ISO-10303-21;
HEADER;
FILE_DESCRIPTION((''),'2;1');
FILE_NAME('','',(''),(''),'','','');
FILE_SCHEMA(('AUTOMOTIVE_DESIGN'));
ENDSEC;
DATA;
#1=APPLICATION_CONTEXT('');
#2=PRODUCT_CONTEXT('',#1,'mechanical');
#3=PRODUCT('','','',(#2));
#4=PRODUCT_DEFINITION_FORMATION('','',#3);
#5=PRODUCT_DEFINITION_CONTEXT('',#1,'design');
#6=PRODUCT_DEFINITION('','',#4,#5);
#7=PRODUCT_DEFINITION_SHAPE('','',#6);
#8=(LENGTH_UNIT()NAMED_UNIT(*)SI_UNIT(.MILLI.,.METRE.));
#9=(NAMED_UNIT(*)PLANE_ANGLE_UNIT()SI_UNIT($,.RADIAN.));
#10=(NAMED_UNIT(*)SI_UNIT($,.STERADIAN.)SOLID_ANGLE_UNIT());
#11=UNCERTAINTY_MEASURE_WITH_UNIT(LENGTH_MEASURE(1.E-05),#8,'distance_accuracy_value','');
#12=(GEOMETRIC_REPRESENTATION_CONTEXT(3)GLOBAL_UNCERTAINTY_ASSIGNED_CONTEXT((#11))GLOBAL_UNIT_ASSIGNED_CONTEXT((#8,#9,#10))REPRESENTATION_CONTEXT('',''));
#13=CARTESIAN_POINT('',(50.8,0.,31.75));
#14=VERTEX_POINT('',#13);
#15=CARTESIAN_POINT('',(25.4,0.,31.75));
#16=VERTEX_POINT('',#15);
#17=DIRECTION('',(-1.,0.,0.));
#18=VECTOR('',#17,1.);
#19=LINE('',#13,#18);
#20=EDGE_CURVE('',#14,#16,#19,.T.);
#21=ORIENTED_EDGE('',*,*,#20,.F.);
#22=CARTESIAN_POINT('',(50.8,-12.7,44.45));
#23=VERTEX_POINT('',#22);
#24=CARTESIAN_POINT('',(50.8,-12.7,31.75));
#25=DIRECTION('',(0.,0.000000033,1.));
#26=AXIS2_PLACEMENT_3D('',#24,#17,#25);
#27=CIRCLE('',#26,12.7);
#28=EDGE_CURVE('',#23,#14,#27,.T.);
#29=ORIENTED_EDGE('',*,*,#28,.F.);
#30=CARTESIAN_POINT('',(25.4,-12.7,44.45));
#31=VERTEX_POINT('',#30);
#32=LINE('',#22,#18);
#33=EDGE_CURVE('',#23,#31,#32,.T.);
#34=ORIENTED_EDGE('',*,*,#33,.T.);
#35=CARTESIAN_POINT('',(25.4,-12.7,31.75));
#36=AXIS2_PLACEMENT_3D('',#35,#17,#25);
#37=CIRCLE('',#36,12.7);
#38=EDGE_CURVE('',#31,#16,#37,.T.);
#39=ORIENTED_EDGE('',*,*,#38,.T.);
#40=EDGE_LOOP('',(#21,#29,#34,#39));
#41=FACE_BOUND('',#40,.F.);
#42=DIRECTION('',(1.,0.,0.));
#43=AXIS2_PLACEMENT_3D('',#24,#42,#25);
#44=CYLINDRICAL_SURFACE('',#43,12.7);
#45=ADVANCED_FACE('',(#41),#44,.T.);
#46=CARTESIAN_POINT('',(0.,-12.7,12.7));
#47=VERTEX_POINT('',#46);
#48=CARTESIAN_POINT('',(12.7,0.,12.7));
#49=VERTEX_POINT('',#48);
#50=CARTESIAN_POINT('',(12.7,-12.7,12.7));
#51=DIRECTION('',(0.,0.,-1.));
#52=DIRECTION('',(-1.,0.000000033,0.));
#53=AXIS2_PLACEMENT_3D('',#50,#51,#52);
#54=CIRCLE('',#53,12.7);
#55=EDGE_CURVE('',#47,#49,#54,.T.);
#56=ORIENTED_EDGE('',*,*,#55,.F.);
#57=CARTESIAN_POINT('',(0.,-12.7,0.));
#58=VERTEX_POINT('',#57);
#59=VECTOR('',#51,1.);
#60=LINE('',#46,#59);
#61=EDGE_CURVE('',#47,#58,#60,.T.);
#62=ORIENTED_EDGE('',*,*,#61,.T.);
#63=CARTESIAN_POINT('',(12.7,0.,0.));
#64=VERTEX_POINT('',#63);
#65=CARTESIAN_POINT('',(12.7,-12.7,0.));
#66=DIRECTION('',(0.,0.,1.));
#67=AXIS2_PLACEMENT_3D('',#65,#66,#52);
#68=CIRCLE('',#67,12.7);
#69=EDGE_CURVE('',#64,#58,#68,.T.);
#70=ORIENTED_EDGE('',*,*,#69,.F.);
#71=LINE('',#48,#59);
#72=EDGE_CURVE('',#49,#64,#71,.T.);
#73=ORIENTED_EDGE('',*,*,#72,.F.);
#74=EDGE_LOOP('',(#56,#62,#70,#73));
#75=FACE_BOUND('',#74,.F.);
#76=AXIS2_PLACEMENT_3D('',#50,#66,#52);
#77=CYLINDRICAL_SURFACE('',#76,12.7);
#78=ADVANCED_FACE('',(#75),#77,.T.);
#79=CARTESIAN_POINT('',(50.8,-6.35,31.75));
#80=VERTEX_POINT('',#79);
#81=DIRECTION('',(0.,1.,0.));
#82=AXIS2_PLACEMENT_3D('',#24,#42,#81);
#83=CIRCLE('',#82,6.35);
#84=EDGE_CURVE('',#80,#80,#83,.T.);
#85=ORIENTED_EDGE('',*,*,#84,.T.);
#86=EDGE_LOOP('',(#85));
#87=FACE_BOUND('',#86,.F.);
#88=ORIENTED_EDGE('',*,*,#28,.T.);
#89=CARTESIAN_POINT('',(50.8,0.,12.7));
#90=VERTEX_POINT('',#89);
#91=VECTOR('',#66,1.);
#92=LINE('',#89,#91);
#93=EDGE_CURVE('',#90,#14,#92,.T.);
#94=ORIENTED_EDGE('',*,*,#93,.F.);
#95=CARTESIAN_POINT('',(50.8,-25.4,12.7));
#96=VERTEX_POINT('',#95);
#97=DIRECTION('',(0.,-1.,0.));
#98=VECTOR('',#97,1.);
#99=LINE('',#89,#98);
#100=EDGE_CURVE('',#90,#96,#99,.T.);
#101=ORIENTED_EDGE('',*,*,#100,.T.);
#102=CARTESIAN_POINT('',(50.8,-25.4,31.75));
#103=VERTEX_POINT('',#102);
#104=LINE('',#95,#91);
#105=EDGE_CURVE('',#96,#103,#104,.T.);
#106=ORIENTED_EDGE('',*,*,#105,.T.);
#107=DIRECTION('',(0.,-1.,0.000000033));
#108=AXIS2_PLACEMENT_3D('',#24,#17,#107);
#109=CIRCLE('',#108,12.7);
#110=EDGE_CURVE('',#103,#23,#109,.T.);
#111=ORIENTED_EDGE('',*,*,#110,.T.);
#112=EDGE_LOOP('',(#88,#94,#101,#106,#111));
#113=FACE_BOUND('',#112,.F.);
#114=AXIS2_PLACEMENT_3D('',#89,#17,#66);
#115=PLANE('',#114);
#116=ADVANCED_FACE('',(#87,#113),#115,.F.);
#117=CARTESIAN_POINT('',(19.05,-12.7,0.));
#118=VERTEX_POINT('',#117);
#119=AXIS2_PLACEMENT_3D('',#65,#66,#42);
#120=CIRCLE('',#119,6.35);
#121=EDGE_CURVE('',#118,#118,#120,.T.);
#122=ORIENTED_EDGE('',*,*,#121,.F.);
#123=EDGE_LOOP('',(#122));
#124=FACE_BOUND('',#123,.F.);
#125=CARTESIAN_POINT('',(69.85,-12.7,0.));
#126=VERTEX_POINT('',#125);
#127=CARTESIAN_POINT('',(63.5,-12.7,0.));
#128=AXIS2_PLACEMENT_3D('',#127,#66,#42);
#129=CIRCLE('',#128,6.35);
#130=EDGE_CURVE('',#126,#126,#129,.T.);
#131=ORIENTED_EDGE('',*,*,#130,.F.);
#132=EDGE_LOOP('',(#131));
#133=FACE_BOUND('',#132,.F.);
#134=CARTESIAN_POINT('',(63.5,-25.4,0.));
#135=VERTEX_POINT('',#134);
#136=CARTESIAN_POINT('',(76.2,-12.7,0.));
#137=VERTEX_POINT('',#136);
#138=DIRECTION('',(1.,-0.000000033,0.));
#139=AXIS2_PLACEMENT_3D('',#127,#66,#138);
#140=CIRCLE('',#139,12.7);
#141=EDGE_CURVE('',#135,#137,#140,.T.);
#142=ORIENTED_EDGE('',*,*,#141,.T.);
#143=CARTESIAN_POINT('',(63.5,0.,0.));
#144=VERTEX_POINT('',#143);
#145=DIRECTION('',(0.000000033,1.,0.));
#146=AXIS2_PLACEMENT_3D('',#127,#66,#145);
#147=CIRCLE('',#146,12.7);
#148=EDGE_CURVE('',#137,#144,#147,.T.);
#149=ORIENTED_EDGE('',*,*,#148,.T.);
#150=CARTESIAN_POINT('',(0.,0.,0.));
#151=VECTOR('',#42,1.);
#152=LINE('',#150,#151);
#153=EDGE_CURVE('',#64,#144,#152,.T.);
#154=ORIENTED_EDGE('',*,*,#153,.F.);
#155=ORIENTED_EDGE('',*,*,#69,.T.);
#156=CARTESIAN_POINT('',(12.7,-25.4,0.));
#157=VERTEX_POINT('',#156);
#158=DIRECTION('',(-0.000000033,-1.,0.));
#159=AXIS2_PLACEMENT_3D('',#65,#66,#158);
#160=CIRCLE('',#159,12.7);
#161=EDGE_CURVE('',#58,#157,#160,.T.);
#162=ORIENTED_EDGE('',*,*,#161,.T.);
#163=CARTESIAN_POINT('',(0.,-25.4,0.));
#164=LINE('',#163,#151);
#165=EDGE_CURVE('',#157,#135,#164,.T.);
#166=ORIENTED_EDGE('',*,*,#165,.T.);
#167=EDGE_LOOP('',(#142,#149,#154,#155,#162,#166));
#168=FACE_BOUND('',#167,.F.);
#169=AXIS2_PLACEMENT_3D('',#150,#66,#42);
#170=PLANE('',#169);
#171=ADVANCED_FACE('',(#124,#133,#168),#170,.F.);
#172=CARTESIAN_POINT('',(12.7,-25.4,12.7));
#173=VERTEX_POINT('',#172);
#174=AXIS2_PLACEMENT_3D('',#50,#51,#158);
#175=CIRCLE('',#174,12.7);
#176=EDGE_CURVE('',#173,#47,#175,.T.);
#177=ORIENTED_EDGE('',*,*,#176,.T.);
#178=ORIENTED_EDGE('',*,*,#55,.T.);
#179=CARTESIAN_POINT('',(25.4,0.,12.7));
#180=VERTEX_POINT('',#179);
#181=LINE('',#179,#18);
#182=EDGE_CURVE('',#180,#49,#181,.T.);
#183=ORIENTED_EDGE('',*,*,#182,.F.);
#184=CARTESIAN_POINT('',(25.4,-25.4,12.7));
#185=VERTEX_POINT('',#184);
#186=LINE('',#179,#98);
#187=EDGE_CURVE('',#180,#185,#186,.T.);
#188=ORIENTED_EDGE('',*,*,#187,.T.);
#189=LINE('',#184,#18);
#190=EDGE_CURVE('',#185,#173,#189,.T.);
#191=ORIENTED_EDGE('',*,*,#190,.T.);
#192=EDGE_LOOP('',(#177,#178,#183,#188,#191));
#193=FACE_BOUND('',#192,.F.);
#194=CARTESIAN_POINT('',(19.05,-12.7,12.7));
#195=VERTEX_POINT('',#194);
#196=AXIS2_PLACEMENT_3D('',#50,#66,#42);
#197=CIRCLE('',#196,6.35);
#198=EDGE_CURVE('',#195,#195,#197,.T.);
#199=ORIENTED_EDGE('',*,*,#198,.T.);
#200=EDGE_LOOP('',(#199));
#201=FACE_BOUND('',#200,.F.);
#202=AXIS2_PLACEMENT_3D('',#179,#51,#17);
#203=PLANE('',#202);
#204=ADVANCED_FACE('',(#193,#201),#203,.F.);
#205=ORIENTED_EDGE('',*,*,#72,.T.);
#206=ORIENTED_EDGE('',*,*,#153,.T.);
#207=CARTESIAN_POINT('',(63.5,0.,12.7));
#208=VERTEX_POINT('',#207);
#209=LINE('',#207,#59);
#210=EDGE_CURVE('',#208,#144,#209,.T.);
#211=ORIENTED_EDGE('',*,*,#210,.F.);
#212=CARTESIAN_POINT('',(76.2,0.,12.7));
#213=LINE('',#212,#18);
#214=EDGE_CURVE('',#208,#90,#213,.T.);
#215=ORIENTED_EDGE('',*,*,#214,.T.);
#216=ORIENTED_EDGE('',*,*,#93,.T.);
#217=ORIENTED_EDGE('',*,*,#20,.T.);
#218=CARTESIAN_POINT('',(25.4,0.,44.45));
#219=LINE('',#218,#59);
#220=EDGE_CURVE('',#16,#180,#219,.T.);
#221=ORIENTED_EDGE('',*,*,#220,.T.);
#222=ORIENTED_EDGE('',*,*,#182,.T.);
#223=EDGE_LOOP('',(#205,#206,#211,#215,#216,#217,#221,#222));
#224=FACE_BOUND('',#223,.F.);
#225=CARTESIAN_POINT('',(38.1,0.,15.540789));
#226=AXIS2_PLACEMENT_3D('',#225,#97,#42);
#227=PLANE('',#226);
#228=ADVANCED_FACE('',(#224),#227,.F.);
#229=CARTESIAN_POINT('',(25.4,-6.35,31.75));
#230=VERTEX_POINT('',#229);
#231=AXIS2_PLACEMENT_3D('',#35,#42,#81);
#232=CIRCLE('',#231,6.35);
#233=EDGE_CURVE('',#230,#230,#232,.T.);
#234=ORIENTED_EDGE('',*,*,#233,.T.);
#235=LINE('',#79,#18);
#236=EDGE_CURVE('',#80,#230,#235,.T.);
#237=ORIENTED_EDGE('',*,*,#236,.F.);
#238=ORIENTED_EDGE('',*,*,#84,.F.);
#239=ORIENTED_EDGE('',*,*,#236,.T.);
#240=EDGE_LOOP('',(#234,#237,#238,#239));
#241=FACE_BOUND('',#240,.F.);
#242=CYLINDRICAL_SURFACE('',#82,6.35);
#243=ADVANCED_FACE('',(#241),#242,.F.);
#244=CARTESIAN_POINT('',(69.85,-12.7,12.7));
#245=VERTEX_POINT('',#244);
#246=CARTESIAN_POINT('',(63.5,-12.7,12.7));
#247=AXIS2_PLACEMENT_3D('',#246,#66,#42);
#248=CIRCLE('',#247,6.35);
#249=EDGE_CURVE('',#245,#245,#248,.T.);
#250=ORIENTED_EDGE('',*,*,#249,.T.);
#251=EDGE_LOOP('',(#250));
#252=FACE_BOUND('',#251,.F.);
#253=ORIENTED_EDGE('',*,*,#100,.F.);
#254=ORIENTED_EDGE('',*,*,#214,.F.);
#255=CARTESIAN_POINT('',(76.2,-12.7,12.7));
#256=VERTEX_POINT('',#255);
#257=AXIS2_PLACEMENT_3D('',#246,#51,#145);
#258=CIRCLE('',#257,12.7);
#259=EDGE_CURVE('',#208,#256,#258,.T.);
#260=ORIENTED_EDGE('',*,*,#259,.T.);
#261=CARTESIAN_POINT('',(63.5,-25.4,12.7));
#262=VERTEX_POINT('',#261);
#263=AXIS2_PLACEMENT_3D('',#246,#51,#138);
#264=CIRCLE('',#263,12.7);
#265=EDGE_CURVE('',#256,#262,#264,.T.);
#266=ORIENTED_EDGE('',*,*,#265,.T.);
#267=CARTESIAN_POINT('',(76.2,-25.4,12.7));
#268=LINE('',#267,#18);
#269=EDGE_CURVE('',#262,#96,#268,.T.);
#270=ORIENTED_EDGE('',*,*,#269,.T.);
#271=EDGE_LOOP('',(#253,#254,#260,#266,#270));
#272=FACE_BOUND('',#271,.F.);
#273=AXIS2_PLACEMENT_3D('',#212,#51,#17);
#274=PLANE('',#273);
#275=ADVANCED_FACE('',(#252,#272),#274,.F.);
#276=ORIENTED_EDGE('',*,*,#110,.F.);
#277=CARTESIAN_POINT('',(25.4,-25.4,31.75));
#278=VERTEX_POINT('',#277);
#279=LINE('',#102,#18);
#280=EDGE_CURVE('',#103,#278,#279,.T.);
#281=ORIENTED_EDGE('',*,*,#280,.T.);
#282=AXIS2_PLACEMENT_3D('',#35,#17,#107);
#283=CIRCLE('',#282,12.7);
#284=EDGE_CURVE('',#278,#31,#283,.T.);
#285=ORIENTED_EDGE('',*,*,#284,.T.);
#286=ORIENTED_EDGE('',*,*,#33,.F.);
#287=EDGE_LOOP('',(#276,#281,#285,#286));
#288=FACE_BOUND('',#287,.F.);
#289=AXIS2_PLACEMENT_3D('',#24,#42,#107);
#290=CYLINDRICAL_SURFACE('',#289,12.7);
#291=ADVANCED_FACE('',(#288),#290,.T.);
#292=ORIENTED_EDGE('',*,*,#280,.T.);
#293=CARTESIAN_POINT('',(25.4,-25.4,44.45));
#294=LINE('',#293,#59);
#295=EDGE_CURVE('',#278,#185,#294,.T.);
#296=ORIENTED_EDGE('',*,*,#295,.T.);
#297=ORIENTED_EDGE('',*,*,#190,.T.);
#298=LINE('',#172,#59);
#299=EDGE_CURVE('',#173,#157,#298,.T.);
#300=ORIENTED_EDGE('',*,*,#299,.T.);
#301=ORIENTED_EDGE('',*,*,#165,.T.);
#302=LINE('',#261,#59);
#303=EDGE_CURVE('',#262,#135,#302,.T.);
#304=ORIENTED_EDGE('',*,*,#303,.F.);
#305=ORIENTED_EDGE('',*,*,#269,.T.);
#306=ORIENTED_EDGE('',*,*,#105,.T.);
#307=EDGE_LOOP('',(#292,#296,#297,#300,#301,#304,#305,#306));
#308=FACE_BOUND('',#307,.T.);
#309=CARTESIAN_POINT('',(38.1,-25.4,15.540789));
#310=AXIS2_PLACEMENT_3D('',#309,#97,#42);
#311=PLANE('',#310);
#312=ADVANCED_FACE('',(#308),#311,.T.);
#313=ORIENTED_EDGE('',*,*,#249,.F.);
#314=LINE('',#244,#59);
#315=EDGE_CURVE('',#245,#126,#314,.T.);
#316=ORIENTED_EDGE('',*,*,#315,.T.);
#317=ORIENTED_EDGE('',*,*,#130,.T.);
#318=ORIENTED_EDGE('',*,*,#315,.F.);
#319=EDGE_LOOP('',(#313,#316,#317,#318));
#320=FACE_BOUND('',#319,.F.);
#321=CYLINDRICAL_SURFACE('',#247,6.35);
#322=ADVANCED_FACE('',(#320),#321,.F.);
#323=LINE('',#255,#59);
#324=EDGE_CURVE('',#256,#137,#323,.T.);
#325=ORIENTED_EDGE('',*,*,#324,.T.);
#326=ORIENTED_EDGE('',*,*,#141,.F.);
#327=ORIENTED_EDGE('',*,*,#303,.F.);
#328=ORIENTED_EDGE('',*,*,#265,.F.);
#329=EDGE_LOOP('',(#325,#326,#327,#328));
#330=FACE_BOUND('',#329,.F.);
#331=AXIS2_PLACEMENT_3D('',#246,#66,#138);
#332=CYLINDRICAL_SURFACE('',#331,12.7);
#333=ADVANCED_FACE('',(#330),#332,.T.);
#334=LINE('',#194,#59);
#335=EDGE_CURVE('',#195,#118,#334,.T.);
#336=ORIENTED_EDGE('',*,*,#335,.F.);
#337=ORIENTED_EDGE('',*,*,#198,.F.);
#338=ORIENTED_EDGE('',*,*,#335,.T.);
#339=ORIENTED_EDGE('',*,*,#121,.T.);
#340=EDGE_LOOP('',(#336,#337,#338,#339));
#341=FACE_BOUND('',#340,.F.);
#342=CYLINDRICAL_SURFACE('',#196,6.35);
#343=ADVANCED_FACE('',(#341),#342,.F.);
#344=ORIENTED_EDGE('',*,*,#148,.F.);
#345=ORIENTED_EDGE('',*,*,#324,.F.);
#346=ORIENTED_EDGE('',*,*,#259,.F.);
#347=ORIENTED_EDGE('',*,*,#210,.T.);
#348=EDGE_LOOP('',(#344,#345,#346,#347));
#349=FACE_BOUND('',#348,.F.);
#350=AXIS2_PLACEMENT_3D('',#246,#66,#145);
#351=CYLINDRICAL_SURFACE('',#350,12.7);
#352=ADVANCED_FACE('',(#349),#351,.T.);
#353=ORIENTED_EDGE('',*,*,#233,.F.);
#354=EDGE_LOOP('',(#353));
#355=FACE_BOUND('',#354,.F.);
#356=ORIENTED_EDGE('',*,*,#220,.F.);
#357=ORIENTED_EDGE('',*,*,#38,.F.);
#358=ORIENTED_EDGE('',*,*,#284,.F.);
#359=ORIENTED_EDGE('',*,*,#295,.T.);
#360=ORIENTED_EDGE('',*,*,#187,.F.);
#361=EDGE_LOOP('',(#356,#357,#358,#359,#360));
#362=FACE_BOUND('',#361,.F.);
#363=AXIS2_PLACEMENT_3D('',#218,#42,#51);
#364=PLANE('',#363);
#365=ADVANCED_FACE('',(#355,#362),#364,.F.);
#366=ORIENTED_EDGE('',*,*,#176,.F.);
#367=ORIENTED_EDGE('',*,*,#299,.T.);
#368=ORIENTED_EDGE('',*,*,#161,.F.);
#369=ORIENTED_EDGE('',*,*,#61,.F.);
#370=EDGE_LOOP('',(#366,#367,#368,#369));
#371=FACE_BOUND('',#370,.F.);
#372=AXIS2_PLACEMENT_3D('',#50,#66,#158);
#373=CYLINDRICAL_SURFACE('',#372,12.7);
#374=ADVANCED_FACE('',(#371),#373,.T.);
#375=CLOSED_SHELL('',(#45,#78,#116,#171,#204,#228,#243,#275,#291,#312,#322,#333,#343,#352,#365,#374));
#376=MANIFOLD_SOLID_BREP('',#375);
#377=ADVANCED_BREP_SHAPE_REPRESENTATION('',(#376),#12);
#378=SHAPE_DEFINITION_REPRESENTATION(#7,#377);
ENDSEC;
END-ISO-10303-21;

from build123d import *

# Parameters (mm, degrees)
F1_DEPTH = 25.4
F2_R     = 6.35
F3_DEPTH = 25.4
F4_R     = 6.35
F5_DEPTH = 25.4
F6_R     = 6.35
F7_DEPTH = 25.4


with BuildPart() as f1:
    # F0 (on Front) → F1 (new body)
    with BuildSketch(Plane.XZ):
        Polygon((0, 12.7), (0, 0), (76.2, 0), (76.2, 12.7), (50.8, 12.7), (50.8, 44.45), (25.4, 44.45), (25.4, 12.7), align=None)
    extrude(amount=F1_DEPTH)

    # F2 (on face) → F3 (cut)
    with BuildSketch(Plane.YZ.offset(50.8)):
        with BuildLine():
            ThreePointArc((-25.4, 31.75), (-21.680256, 40.730256), (-12.7, 44.45))
            Line((-12.7, 44.45), (-25.4, 44.45))
            Line((-25.4, 44.45), (-25.4, 31.75))
        make_face()
        with BuildLine():
            ThreePointArc((-12.7, 44.45), (-3.719744, 40.730256), (0, 31.75))
            Line((0, 31.75), (0, 44.45))
            Line((0, 44.45), (-12.7, 44.45))
        make_face()
        with Locations((-12.7, 31.75)):
            Circle(F2_R)
    extrude(amount=-F3_DEPTH, mode=Mode.SUBTRACT)

    # F4 (on face) → F5 (cut)
    with BuildSketch(Plane.XY.offset(12.7)):
        with BuildLine():
            ThreePointArc((0, -12.7), (3.719744, -3.719744), (12.7, 0))
            Line((12.7, 0), (0, 0))
            Line((0, 0), (0, -12.7))
        make_face()
        with Locations((12.7, -12.7)):
            Circle(F4_R)
        with BuildLine():
            ThreePointArc((12.7, -25.4), (3.719744, -21.680256), (0, -12.7))
            Line((0, -12.7), (0, -25.4))
            Line((0, -25.4), (12.7, -25.4))
        make_face()
    extrude(amount=-F5_DEPTH, mode=Mode.SUBTRACT)

    # F6 (on face) → F7 (cut)
    with BuildSketch(Plane.XY.offset(12.7)):
        with BuildLine():
            ThreePointArc((63.5, 0), (72.480256, -3.719744), (76.2, -12.7))
            Line((76.2, -12.7), (76.2, 0))
            Line((76.2, 0), (63.5, 0))
        make_face()
        with BuildLine():
            ThreePointArc((76.2, -12.7), (72.480256, -21.680256), (63.5, -25.4))
            Line((63.5, -25.4), (76.2, -25.4))
            Line((76.2, -25.4), (76.2, -12.7))
        make_face()
        with Locations((63.5, -12.7)):
            Circle(F6_R)
    extrude(amount=-F7_DEPTH, mode=Mode.SUBTRACT)


solid = f1.part
